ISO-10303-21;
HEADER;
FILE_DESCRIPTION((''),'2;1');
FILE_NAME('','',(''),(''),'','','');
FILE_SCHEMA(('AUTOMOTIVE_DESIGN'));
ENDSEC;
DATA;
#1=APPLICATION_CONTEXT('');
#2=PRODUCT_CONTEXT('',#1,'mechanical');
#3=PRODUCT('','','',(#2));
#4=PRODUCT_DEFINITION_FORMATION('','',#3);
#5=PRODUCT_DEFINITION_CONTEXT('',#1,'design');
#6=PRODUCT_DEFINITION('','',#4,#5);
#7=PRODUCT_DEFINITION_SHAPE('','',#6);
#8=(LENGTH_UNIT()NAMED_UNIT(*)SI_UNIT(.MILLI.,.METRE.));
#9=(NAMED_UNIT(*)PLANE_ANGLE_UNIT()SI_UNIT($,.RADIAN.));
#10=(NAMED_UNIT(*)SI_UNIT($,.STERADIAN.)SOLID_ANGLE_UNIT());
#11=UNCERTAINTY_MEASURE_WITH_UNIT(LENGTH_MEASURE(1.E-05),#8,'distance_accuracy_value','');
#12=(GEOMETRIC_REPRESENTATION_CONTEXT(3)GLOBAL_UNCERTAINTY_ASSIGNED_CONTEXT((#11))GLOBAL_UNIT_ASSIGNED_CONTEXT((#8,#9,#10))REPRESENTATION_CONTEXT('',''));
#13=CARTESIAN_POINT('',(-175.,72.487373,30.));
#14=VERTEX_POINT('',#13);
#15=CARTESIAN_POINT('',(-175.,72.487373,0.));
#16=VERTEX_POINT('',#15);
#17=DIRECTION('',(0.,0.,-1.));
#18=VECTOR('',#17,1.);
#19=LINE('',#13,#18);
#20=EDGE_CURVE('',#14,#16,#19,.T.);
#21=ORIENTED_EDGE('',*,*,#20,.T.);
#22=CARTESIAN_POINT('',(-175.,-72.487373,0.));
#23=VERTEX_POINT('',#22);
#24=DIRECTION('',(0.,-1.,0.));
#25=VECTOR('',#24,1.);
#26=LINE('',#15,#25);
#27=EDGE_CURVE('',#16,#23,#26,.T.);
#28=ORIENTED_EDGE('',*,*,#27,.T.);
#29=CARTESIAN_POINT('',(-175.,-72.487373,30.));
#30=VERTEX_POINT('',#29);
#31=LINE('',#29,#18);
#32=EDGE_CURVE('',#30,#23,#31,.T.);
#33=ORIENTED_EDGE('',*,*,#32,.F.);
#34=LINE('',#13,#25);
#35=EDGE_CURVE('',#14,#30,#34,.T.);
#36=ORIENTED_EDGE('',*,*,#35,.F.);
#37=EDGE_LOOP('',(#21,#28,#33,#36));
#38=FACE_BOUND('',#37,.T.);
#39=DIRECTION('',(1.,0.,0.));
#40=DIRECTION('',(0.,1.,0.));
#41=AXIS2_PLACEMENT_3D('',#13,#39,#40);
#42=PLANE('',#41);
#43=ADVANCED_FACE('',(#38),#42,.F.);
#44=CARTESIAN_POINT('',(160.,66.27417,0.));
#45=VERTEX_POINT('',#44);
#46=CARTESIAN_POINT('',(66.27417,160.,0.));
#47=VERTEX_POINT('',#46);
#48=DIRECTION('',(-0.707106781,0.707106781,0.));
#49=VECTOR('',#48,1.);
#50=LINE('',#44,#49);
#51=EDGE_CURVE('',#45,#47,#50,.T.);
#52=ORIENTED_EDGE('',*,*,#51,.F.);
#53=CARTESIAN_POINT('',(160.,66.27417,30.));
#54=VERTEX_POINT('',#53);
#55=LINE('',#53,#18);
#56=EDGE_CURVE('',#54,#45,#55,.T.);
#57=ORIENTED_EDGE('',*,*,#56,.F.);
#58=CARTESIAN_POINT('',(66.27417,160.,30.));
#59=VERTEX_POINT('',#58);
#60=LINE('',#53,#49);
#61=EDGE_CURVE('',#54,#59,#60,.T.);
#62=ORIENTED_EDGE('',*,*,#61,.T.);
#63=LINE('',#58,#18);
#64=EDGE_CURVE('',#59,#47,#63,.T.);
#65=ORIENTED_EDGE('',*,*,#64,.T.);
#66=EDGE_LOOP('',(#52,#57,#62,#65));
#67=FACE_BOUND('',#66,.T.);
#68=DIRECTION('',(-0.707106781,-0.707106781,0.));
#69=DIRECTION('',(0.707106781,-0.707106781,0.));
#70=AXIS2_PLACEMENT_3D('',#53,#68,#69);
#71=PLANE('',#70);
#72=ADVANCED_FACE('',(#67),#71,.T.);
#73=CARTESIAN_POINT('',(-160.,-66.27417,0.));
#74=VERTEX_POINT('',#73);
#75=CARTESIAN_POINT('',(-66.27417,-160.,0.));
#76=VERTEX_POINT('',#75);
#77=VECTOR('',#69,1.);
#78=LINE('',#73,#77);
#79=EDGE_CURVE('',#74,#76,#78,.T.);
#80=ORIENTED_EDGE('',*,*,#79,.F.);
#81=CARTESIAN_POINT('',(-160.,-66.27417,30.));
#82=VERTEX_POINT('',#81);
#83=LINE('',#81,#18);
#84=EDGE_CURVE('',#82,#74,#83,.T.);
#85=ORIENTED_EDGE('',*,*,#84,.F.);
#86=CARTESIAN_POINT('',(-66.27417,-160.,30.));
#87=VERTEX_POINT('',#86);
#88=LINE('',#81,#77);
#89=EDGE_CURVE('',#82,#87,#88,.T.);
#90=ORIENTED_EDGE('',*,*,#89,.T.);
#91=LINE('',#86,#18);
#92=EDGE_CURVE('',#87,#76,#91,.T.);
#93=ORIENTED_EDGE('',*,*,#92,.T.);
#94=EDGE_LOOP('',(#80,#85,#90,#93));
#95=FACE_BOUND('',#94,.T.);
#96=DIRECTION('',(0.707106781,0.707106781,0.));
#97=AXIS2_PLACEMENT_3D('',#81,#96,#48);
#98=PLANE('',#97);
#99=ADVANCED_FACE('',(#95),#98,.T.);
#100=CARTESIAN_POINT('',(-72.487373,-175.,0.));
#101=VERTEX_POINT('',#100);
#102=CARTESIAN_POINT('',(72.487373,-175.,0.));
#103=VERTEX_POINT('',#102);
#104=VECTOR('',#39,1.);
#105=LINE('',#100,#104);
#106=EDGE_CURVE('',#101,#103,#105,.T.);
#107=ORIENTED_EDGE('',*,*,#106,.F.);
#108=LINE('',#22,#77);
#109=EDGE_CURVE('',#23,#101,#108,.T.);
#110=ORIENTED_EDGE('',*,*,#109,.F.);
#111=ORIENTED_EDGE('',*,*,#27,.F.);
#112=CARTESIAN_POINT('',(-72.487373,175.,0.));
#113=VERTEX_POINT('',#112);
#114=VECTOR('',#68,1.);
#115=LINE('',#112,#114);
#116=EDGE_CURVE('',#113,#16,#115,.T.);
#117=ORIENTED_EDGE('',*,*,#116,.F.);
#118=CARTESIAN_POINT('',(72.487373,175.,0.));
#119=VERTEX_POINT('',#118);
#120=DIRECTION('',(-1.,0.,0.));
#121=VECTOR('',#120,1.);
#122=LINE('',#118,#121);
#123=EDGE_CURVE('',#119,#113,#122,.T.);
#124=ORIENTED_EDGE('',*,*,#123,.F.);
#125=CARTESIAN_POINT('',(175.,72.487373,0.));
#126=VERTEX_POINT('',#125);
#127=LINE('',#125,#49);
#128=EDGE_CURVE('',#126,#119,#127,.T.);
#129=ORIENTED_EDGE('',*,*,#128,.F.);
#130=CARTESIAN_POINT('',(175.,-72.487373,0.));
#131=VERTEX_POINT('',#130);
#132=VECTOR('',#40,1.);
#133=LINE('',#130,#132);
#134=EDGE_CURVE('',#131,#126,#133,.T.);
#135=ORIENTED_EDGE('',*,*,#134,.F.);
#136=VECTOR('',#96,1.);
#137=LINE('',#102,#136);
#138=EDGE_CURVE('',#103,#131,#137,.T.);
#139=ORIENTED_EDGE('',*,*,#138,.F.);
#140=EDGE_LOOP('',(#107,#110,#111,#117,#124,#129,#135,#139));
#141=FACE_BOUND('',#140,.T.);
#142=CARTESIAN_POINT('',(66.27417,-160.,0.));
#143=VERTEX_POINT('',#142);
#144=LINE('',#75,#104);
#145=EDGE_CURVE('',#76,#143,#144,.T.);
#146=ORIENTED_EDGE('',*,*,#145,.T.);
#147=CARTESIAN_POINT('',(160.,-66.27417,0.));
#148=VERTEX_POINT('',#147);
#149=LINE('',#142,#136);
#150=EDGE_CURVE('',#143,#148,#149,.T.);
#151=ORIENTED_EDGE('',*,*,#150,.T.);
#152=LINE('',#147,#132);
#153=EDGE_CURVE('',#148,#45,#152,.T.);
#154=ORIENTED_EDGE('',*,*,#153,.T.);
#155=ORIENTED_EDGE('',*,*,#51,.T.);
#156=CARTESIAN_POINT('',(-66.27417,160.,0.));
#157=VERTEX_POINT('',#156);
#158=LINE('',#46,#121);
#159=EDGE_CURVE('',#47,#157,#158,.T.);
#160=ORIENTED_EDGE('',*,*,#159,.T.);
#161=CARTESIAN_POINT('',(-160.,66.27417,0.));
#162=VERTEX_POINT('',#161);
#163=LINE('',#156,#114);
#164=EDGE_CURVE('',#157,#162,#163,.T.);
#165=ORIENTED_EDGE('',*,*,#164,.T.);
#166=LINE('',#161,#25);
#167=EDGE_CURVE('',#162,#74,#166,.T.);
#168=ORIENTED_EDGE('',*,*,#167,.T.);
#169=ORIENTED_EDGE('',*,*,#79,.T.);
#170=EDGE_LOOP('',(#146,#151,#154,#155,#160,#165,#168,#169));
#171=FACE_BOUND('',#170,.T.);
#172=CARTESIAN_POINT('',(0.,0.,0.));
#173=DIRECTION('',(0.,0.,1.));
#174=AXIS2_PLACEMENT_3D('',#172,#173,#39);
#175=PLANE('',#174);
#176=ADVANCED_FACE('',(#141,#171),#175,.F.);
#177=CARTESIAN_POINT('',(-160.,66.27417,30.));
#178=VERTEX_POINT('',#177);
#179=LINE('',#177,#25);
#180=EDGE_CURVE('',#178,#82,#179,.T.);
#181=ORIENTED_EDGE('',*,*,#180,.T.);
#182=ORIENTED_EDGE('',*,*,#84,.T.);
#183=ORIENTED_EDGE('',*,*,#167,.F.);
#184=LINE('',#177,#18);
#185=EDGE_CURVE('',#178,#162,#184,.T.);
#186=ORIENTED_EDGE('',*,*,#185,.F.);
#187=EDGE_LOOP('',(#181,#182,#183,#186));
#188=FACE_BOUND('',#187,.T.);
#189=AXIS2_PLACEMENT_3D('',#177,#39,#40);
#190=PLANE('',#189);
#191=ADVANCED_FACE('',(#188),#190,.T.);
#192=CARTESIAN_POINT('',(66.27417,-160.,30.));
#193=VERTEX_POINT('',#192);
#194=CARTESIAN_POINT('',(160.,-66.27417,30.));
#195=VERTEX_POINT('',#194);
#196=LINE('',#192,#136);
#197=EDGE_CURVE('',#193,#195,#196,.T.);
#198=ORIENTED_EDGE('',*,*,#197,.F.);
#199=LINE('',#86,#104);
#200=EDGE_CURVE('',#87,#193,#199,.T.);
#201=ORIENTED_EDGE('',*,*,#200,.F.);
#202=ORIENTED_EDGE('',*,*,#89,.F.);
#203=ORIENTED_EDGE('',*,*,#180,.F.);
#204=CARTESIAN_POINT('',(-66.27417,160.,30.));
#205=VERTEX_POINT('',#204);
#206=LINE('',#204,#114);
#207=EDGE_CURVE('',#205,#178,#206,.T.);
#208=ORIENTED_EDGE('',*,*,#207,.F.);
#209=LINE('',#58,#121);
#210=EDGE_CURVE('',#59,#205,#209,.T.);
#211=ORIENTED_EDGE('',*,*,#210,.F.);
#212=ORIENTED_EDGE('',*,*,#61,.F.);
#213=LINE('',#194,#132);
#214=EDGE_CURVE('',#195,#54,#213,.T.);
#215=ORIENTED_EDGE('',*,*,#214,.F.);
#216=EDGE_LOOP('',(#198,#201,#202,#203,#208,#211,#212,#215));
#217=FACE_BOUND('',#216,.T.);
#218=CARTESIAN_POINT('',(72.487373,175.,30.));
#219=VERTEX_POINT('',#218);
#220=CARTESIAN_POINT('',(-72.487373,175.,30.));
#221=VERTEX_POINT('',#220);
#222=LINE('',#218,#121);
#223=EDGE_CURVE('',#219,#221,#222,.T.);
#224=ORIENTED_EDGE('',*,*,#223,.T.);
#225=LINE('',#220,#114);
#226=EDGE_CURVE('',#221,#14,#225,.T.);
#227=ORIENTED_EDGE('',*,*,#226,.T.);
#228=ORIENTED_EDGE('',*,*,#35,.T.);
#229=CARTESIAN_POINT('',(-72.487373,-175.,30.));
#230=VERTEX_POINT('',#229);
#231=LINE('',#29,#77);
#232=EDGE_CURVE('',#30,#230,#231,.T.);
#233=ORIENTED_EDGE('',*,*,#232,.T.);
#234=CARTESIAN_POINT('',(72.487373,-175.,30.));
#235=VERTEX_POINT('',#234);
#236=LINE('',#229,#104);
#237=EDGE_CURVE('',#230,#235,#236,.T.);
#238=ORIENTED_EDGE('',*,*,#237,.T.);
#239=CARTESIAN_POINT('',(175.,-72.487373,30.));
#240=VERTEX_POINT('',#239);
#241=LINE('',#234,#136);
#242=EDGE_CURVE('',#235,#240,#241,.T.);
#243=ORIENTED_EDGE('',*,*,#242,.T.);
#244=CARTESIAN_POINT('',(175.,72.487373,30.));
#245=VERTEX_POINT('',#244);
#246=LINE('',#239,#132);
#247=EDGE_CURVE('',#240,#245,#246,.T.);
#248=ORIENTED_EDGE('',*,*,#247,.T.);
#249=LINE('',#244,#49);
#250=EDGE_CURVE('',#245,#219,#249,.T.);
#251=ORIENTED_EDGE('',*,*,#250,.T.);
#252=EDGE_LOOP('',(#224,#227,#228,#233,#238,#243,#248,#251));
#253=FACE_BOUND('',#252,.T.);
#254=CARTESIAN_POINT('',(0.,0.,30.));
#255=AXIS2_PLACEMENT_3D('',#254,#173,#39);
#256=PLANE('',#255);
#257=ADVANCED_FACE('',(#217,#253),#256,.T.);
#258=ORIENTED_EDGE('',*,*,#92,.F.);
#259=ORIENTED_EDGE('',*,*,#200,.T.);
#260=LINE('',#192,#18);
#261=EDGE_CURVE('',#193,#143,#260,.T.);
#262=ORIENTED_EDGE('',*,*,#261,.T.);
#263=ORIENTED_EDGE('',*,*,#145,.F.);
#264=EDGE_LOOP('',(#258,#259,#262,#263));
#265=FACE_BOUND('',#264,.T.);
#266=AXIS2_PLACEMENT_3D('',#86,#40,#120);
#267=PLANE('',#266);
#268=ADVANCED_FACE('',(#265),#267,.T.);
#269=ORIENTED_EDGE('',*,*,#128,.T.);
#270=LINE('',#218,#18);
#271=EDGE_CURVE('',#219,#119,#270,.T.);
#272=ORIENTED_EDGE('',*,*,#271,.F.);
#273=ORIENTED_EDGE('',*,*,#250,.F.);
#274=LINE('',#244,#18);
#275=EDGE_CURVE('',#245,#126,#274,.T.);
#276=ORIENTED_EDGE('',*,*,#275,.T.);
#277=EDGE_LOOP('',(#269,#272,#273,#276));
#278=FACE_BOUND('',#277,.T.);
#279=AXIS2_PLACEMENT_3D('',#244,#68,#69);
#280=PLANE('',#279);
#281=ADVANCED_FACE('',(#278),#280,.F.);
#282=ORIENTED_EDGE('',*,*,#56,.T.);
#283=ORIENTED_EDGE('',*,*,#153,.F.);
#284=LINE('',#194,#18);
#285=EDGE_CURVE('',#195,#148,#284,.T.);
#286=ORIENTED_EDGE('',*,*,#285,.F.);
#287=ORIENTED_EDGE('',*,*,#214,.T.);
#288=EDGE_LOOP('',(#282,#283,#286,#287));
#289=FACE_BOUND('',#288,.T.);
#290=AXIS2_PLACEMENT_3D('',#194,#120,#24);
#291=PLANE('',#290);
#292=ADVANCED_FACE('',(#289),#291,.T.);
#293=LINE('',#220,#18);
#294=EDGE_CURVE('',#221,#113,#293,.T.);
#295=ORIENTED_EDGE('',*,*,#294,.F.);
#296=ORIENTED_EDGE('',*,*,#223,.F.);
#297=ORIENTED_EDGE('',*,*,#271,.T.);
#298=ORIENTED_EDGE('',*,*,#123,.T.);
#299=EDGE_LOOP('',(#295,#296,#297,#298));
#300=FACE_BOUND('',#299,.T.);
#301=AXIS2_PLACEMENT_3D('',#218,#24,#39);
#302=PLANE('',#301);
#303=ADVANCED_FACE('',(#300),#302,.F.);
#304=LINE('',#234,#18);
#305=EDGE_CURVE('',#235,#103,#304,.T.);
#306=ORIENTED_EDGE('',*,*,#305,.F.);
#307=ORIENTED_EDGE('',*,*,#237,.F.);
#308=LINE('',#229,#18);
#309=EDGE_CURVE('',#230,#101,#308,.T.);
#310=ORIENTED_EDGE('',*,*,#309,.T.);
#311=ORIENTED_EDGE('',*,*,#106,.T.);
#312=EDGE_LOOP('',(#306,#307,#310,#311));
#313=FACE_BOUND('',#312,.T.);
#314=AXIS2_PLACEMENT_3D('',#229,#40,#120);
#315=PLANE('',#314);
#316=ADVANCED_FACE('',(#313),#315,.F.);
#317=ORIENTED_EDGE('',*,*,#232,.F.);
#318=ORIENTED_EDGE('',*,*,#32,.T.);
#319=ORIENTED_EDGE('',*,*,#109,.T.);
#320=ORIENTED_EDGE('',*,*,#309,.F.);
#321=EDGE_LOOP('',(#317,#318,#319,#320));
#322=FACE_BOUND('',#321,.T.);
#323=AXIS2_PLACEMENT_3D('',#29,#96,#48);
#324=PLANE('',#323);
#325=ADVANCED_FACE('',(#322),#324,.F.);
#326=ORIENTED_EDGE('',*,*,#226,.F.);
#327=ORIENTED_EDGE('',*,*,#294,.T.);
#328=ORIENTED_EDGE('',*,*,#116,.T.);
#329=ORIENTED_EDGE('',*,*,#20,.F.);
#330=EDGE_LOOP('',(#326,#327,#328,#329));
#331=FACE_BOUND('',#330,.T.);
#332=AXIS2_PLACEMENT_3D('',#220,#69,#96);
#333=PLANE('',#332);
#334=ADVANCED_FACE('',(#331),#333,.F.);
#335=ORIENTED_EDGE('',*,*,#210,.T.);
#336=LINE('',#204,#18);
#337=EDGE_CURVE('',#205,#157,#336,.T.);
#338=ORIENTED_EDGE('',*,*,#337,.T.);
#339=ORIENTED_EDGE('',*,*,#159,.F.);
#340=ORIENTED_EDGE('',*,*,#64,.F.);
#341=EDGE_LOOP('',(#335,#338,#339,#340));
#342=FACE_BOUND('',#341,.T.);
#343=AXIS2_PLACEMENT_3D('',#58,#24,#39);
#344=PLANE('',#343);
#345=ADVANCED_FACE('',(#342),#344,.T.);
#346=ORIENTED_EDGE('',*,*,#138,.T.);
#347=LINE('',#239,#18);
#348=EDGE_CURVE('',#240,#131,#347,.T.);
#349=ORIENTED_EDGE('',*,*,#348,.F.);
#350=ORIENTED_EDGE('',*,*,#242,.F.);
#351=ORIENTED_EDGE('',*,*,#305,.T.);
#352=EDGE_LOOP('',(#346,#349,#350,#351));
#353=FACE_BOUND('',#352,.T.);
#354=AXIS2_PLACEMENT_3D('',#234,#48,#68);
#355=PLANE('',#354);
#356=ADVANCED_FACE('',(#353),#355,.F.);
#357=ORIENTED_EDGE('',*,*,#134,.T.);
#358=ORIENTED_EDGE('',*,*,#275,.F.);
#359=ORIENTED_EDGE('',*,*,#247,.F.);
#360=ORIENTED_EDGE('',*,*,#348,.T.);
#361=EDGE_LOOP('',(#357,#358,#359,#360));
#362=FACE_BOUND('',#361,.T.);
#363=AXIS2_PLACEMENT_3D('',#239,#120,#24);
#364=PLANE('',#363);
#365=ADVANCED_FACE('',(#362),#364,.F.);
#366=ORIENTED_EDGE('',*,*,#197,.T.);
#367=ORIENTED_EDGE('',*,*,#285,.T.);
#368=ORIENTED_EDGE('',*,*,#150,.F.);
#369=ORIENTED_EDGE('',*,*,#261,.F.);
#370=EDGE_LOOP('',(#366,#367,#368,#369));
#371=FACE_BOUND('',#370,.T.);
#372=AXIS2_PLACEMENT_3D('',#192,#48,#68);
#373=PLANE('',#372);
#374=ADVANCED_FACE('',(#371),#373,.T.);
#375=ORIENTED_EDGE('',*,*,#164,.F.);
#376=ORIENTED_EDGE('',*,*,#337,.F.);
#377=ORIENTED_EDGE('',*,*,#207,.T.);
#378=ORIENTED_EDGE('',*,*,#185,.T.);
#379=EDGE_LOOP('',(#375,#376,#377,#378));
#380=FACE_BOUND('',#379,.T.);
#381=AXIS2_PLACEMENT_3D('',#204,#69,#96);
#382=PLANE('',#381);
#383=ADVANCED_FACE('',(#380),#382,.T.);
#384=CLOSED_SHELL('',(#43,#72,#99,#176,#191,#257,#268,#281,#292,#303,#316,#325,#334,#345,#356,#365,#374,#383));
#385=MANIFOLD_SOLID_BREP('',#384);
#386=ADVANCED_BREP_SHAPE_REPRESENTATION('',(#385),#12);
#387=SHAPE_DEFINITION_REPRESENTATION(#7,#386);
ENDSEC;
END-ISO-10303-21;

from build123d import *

# Parameters (mm, degrees)
RESSALTO_EXTRUS_O1_DEPTH = 30


with BuildPart() as part:
    # Esboço1 → Ressalto-extrusão1 (new body)
    with BuildSketch(Plane.XY):
        Polygon((175, 72.487373415), (72.487373415, 175), (-72.487373415, 175), (-175, 72.487373415), (-175, -72.487373415), (-72.487373415, -175), (72.487373415, -175), (175, -72.487373415), align=None)
        Polygon((160, 66.27416998), (66.27416998, 160), (-66.27416998, 160), (-160, 66.27416998), (-160, -66.27416998), (-66.27416998, -160), (66.27416998, -160), (160, -66.27416998), align=None, mode=Mode.SUBTRACT)
    extrude(amount=RESSALTO_EXTRUS_O1_DEPTH)


solid = part.part
